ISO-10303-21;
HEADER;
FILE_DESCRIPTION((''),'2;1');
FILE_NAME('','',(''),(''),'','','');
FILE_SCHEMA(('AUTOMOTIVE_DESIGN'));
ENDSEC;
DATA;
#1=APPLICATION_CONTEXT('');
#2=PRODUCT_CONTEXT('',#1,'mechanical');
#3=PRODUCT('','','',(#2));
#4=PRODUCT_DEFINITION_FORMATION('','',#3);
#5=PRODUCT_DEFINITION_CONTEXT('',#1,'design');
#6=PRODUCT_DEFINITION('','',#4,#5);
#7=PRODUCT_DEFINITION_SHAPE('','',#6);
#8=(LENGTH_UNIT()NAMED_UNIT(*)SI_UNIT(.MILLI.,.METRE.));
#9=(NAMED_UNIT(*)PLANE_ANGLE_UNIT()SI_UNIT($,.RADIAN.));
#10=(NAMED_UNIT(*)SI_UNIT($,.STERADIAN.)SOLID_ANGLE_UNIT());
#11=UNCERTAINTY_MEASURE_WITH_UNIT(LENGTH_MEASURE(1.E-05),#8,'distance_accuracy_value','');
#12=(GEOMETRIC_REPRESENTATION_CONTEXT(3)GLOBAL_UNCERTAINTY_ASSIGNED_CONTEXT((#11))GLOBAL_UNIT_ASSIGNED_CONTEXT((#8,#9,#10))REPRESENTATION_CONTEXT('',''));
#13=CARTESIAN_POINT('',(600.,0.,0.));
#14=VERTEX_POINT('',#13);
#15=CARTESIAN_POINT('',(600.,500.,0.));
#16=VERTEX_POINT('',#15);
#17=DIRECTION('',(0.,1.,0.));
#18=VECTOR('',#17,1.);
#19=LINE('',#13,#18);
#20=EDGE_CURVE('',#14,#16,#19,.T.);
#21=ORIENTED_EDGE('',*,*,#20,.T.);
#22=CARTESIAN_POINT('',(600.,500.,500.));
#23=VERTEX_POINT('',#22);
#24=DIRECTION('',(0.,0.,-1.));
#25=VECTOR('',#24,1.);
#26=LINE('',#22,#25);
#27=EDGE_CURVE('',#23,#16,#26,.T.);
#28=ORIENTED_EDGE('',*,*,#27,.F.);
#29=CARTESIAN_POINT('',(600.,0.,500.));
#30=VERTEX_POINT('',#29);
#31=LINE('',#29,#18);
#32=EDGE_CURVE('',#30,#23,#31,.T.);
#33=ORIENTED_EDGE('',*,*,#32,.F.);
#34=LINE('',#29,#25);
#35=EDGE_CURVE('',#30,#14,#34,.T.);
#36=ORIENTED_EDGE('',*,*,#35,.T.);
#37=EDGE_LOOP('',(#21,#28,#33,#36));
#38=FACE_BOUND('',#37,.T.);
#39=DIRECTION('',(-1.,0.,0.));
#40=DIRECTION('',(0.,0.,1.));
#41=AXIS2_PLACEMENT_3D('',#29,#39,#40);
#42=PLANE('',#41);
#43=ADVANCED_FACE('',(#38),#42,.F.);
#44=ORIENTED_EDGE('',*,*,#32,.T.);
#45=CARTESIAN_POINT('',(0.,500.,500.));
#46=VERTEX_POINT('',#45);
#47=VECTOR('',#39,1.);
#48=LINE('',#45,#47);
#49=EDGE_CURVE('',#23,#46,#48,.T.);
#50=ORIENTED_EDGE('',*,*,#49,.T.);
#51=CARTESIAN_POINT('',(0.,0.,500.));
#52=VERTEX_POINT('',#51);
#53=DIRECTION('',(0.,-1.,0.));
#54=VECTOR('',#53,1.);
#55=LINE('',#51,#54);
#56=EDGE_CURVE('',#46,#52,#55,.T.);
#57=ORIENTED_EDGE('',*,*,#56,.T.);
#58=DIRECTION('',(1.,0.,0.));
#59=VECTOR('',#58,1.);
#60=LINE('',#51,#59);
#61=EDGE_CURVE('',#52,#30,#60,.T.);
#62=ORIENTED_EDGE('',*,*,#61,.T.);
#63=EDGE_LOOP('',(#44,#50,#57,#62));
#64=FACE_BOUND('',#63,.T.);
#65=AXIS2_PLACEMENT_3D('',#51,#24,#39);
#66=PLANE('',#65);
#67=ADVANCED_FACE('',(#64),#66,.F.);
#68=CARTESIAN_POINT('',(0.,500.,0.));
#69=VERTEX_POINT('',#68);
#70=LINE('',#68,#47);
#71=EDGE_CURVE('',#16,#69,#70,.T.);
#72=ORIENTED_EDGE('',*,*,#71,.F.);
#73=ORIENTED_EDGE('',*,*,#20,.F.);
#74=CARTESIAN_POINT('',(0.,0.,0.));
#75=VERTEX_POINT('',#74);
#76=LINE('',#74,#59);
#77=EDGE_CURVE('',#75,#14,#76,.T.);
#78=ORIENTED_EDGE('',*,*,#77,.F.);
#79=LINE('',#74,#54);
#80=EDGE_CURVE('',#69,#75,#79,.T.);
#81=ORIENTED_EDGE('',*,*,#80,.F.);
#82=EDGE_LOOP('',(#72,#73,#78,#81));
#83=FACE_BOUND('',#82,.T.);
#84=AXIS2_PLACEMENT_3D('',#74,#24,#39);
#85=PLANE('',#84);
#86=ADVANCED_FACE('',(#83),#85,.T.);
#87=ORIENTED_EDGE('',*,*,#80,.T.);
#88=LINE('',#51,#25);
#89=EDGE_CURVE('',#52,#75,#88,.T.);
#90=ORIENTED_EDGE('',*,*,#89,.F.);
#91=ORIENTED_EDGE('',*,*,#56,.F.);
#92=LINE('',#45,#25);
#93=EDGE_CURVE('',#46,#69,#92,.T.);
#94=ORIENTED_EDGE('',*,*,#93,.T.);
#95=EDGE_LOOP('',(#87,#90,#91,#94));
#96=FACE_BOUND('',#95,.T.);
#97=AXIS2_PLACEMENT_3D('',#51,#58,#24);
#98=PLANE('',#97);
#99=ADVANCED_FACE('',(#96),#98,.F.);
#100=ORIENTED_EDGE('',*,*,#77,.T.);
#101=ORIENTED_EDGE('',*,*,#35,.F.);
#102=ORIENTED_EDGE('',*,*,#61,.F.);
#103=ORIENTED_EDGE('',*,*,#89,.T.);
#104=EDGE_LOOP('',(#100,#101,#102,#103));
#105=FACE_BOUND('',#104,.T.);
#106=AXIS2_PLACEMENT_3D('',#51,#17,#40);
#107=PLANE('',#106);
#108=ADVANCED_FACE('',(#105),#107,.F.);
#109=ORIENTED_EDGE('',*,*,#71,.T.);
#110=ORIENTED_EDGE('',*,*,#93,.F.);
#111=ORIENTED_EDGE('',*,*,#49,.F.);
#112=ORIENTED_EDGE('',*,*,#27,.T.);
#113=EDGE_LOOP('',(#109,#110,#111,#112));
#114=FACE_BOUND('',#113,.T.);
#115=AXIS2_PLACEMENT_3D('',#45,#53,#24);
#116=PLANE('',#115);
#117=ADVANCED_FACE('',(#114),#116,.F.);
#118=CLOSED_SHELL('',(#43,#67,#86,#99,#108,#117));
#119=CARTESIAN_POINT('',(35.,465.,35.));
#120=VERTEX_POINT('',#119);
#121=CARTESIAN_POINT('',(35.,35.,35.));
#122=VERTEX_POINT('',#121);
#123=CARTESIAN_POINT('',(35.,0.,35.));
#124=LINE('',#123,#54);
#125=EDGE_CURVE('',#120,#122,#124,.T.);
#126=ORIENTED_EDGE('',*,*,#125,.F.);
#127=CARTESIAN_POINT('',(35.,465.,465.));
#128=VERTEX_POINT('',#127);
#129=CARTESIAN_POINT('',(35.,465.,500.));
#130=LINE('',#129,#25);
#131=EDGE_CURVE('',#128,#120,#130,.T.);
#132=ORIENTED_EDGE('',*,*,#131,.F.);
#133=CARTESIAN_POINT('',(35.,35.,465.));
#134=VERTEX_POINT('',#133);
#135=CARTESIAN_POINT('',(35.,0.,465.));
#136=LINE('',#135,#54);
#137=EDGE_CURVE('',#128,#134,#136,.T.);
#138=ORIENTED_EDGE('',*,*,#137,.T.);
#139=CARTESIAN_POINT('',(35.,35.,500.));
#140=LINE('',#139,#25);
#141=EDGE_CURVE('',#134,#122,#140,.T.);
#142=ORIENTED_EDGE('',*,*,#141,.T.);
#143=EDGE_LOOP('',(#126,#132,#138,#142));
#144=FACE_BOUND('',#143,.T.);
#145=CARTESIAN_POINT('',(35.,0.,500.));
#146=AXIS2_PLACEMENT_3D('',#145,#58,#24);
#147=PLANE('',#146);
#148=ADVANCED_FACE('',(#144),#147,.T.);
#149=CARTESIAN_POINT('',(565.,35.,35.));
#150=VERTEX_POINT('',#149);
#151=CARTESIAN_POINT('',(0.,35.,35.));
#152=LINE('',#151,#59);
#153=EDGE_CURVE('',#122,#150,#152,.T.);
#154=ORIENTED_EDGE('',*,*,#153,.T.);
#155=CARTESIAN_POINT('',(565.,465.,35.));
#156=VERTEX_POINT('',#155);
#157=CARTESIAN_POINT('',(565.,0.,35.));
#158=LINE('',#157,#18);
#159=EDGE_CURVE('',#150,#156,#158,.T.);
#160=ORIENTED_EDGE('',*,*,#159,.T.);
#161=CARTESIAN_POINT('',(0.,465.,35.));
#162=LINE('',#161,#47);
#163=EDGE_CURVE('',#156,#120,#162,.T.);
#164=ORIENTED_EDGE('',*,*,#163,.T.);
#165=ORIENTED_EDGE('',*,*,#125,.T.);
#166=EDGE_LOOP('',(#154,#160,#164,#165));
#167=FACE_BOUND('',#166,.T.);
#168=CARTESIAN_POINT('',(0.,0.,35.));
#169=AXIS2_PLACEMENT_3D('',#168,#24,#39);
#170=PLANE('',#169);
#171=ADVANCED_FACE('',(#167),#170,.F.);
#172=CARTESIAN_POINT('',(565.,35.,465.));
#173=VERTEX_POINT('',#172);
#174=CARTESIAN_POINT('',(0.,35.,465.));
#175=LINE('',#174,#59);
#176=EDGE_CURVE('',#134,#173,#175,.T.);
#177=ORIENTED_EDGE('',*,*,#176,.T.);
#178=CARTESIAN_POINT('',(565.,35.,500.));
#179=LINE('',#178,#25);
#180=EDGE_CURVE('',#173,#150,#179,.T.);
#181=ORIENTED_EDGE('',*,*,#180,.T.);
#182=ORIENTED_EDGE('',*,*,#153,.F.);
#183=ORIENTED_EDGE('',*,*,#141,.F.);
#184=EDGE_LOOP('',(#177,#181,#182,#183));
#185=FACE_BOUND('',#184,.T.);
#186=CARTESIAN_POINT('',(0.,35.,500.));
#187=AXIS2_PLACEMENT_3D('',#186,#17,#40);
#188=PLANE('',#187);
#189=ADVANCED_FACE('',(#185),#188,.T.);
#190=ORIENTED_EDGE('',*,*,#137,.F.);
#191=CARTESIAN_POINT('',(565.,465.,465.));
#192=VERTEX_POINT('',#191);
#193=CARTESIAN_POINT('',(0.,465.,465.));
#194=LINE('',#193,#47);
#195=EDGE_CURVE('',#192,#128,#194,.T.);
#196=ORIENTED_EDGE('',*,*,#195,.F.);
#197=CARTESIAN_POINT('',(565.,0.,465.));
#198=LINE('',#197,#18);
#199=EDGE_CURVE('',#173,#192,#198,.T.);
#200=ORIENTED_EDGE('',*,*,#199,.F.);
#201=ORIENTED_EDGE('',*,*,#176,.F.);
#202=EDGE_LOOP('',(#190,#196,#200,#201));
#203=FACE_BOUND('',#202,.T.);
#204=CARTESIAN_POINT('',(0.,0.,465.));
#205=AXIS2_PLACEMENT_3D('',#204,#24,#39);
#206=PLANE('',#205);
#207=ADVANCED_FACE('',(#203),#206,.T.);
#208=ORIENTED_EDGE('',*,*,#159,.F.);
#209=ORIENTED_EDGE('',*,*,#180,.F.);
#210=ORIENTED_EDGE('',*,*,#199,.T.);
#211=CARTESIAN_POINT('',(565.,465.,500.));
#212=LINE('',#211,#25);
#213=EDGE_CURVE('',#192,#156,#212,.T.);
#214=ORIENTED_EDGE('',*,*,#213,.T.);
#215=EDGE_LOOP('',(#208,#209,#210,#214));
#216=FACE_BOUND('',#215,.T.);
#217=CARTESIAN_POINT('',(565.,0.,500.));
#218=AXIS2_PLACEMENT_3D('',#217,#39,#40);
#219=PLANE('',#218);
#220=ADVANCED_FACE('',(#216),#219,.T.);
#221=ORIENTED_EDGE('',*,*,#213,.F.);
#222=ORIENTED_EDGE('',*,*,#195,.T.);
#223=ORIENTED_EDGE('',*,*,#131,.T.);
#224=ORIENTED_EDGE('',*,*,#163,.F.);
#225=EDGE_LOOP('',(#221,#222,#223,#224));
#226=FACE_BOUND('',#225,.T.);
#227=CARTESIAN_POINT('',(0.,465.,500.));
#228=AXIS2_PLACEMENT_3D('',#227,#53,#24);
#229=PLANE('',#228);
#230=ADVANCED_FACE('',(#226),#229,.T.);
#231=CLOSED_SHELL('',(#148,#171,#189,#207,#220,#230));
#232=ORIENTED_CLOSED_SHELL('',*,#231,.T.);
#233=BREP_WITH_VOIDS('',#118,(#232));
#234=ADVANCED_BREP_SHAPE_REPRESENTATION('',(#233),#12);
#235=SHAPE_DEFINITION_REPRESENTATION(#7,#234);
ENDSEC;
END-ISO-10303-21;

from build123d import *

# Parameters (mm, degrees)
SKETCH1_W           = 600
SKETCH1_H           = 500
BOSS_EXTRUDE1_DEPTH = 500
SHELL1_T            = 35


with BuildPart() as part:
    # Sketch1 → Boss-Extrude1 (new body)
    with BuildSketch(Plane.XY):
        with Locations((300, 250)):
            Rectangle(SKETCH1_W, SKETCH1_H)
    extrude(amount=BOSS_EXTRUDE1_DEPTH)

    # Shell1 (no face opened: a closed hollow body)
    add(offset(amount=-SHELL1_T, mode=Mode.PRIVATE), mode=Mode.SUBTRACT)


solid = part.part
